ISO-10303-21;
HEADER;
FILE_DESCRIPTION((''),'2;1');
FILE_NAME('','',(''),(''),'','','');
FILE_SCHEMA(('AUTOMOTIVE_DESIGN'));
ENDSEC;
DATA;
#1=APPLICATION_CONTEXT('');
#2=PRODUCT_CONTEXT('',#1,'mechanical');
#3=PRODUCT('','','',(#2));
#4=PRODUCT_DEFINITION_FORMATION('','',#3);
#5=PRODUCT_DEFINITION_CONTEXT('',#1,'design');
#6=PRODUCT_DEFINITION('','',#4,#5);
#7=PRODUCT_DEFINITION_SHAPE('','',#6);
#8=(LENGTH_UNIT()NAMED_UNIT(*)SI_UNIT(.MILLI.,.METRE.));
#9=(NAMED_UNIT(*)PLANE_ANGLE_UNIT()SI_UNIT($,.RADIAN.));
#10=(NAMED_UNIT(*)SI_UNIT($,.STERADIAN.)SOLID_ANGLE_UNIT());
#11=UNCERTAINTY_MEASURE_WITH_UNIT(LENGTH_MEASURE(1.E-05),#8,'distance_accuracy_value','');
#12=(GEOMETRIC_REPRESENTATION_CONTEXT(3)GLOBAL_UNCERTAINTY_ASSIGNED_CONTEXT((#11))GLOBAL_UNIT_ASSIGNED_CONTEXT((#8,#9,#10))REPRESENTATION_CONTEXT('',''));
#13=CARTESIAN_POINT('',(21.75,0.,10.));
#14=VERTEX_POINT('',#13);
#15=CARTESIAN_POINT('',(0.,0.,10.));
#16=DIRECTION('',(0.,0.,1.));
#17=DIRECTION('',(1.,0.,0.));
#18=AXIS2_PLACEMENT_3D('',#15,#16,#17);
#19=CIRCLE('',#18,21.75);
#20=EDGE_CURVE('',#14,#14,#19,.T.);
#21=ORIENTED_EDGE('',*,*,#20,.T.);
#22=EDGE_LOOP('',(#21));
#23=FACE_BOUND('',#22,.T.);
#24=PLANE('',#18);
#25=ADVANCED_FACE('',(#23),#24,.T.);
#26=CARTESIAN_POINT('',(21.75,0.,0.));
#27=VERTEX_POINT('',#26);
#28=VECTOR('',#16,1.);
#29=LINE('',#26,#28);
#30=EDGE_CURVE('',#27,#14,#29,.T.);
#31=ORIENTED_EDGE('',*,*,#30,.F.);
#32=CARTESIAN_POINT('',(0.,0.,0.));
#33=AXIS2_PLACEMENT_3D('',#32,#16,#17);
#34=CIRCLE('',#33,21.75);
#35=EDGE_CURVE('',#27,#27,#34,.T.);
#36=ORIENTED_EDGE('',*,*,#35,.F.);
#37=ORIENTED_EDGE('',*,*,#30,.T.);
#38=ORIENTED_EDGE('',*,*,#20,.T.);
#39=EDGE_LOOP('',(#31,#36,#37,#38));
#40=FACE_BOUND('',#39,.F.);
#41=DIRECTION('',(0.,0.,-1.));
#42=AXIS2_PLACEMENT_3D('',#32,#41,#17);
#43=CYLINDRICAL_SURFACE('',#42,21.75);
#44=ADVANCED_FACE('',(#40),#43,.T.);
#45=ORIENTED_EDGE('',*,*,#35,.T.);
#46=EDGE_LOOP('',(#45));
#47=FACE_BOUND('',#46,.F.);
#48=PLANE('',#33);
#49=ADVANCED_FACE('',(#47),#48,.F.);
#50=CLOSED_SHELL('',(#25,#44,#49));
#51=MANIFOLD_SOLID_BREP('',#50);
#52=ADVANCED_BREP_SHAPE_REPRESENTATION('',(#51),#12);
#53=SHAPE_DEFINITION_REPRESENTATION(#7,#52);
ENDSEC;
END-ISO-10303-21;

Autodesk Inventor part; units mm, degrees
ref_plane "YZ Plane" through (0, 0, 0) normal (1, 0, 0) x (0, 1, 0)
ref_plane "XZ Plane" through (0, 0, 0) normal (0, 1, 0) x (-1, 0, 0)
ref_plane "XY Plane" through (0, 0, 0) normal (0, 0, 1) x (1, 0, 0)
sketch "草圖1" plane through (0, 0, 0) normal (0, 0, 1) x (1, 0, 0)
  circle A0 centre (0, 0) radius 21.75
  dimension "d0" = 43.5
extrude "擠出1" add sketch "草圖1" along normal blind 10
properties part number "Stage1_sun"
